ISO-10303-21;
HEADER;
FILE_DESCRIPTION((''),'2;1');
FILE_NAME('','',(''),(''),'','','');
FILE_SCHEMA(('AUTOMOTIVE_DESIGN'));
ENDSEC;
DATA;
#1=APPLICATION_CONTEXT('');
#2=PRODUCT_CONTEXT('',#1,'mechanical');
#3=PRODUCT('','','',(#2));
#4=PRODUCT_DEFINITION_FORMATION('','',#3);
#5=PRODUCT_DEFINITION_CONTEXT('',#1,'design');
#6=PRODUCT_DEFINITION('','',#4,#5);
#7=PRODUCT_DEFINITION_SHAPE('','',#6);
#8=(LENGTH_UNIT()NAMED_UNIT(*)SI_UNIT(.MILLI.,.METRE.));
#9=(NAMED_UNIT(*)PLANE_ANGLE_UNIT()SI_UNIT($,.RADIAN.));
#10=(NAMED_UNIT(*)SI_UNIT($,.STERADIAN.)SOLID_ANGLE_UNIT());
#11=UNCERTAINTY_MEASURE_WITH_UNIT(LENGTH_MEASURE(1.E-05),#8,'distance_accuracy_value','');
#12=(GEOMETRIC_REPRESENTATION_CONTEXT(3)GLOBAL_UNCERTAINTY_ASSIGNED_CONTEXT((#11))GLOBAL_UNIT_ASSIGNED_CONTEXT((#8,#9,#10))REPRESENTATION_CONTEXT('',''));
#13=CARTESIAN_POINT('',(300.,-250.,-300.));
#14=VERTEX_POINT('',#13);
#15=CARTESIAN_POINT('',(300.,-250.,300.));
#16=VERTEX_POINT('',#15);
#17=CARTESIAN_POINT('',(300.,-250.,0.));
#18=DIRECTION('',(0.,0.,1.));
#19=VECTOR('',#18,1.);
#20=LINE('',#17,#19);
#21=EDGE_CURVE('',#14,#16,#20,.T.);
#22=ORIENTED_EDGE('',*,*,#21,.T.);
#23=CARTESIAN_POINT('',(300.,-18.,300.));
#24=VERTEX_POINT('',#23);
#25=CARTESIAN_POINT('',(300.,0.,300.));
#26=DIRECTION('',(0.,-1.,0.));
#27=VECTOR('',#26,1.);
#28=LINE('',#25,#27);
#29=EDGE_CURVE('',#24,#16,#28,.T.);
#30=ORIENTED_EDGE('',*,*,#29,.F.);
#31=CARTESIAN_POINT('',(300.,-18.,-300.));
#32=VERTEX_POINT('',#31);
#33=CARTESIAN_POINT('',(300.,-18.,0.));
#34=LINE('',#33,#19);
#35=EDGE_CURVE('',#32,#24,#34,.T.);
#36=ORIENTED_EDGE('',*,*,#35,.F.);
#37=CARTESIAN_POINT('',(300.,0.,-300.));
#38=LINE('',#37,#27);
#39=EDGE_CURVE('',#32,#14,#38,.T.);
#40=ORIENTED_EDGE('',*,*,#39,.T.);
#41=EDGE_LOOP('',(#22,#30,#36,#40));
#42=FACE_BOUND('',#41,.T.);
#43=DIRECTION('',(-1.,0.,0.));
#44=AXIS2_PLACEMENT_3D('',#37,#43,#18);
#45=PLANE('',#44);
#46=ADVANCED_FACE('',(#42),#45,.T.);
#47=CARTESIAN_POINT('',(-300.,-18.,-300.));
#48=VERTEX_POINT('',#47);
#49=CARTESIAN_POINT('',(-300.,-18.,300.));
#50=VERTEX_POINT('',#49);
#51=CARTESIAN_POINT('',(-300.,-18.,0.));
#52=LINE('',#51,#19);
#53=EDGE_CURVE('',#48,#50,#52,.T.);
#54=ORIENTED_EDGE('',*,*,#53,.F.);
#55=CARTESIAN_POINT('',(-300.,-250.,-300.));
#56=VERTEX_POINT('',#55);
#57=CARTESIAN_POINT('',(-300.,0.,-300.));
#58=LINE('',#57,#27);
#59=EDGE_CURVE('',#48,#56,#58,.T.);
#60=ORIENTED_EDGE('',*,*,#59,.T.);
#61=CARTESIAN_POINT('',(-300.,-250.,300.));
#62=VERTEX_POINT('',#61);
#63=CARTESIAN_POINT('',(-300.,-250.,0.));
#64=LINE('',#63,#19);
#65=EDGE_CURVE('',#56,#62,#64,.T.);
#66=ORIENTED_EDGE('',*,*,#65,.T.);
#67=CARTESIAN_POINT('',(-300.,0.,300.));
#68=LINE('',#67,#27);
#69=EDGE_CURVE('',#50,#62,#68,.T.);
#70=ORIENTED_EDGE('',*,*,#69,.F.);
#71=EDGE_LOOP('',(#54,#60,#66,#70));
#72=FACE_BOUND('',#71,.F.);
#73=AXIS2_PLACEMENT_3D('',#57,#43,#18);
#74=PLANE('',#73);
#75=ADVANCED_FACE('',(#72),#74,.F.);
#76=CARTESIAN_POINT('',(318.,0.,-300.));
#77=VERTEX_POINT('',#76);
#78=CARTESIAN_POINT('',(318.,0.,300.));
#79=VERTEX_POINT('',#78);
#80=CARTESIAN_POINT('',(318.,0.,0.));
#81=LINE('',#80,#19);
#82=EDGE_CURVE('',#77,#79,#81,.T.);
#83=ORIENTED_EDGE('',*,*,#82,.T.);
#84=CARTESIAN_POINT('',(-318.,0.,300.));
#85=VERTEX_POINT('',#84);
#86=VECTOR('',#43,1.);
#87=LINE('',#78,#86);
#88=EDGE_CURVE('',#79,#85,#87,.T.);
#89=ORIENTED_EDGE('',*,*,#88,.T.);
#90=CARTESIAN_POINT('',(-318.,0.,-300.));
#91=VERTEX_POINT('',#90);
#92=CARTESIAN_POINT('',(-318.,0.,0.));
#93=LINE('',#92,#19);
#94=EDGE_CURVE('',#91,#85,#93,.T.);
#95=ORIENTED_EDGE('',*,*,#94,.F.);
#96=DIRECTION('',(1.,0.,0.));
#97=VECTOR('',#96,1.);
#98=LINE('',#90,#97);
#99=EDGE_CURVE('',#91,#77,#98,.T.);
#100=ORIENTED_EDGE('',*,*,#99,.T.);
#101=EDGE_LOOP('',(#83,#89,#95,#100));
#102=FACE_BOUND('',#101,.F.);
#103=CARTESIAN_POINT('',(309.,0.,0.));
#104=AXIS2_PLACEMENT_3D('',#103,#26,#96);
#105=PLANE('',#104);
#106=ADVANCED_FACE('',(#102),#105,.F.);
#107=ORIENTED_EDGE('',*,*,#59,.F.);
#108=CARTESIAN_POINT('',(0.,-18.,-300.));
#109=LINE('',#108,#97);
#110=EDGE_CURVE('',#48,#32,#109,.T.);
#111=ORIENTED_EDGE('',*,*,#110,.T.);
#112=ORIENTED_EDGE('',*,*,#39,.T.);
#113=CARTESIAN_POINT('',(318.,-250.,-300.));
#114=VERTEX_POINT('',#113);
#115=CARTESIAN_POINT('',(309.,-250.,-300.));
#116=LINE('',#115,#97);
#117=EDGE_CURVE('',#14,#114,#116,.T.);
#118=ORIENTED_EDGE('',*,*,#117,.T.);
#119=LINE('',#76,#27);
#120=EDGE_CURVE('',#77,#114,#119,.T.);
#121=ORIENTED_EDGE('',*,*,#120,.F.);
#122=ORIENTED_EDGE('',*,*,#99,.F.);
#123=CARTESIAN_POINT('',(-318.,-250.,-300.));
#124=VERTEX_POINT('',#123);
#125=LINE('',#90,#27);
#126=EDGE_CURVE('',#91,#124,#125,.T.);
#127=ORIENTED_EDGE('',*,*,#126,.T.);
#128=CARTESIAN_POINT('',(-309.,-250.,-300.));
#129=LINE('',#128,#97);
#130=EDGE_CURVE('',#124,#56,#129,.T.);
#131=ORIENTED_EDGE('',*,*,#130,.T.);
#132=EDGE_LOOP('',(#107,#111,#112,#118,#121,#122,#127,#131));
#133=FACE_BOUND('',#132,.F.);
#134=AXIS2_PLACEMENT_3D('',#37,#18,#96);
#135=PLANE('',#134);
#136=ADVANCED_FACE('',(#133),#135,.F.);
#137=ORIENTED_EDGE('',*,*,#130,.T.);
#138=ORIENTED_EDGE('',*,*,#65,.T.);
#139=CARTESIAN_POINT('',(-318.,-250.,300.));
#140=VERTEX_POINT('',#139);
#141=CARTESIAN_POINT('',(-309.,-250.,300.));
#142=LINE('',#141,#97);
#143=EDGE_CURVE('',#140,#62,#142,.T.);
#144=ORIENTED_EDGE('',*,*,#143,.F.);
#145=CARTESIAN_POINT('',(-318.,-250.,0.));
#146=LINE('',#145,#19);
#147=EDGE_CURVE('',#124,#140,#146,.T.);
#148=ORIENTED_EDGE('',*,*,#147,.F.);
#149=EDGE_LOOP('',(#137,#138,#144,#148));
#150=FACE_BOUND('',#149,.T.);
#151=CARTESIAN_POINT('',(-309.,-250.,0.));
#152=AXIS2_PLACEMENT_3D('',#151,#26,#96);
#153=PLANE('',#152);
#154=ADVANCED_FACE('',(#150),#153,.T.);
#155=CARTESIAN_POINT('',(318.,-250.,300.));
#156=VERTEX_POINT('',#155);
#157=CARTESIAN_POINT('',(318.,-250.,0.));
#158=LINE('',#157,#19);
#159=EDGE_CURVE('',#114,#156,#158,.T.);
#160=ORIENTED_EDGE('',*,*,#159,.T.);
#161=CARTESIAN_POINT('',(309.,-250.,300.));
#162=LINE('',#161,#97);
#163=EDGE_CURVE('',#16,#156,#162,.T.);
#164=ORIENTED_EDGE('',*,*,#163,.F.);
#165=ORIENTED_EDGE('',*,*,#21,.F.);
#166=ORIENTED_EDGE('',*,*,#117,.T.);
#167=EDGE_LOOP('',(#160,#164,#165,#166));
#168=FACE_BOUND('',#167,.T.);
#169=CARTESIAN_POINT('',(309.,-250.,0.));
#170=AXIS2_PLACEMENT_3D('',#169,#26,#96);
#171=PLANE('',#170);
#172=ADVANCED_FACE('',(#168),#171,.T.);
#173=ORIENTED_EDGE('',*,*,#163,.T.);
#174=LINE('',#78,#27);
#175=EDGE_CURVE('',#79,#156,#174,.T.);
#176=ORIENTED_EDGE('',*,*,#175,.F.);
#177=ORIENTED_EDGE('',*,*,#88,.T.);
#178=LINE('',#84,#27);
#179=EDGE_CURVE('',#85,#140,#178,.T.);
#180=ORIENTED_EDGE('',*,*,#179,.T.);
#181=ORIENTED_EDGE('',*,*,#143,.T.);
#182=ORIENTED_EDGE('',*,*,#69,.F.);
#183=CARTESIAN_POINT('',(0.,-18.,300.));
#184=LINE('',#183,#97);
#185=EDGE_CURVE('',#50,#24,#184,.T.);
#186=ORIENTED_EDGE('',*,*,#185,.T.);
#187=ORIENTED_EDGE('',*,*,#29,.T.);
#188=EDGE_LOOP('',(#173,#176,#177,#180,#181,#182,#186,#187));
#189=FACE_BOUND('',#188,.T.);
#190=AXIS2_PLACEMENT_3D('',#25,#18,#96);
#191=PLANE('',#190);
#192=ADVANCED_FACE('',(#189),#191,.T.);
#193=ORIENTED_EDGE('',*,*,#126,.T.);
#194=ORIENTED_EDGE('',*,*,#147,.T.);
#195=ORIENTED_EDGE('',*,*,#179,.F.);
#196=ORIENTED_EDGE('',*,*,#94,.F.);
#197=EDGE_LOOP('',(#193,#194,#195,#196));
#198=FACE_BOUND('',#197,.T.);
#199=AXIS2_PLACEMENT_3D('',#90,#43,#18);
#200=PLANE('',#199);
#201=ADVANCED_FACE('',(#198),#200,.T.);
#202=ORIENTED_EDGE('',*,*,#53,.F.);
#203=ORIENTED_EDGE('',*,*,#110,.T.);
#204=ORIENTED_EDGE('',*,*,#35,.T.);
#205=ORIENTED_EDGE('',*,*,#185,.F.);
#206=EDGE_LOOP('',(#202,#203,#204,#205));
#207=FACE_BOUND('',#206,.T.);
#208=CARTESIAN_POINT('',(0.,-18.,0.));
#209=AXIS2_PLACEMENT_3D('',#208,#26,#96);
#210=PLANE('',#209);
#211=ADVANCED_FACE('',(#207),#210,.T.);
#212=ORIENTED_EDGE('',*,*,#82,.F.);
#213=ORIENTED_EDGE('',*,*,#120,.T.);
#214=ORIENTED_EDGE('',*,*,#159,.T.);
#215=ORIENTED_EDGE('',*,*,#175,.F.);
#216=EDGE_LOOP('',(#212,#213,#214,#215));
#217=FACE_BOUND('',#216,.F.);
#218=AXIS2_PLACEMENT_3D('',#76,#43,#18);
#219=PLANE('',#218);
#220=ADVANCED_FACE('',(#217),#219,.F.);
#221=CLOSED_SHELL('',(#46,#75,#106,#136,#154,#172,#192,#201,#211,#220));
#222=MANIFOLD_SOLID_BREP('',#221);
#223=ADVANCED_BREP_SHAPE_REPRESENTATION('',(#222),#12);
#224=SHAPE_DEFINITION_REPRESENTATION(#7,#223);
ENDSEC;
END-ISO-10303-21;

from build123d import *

# Parameters (mm, degrees)
F0_W     = 600
F0_H     = 600
F1_DEPTH = 18
F2_W     = 18
F2_H     = 600
F3_DEPTH = 250
F4_W     = 18
F4_H     = 600
F5_DEPTH = 250


with BuildPart() as f1:
    # F0 (on Front) → F1 (new body)
    with BuildSketch(Plane.XZ):
        Rectangle(F0_W, F0_H)
    extrude(amount=F1_DEPTH)

    # F2 (on Front) → F3 (join)
    with BuildSketch(Plane.XZ):
        with Locations((-309, 0)):
            Rectangle(F2_W, F2_H)
    extrude(amount=F3_DEPTH)

    # F4 (on Front) → F5 (join)
    with BuildSketch(Plane.XZ):
        with Locations((309, 0)):
            Rectangle(F4_W, F4_H)
    extrude(amount=F5_DEPTH)


solid = f1.part
